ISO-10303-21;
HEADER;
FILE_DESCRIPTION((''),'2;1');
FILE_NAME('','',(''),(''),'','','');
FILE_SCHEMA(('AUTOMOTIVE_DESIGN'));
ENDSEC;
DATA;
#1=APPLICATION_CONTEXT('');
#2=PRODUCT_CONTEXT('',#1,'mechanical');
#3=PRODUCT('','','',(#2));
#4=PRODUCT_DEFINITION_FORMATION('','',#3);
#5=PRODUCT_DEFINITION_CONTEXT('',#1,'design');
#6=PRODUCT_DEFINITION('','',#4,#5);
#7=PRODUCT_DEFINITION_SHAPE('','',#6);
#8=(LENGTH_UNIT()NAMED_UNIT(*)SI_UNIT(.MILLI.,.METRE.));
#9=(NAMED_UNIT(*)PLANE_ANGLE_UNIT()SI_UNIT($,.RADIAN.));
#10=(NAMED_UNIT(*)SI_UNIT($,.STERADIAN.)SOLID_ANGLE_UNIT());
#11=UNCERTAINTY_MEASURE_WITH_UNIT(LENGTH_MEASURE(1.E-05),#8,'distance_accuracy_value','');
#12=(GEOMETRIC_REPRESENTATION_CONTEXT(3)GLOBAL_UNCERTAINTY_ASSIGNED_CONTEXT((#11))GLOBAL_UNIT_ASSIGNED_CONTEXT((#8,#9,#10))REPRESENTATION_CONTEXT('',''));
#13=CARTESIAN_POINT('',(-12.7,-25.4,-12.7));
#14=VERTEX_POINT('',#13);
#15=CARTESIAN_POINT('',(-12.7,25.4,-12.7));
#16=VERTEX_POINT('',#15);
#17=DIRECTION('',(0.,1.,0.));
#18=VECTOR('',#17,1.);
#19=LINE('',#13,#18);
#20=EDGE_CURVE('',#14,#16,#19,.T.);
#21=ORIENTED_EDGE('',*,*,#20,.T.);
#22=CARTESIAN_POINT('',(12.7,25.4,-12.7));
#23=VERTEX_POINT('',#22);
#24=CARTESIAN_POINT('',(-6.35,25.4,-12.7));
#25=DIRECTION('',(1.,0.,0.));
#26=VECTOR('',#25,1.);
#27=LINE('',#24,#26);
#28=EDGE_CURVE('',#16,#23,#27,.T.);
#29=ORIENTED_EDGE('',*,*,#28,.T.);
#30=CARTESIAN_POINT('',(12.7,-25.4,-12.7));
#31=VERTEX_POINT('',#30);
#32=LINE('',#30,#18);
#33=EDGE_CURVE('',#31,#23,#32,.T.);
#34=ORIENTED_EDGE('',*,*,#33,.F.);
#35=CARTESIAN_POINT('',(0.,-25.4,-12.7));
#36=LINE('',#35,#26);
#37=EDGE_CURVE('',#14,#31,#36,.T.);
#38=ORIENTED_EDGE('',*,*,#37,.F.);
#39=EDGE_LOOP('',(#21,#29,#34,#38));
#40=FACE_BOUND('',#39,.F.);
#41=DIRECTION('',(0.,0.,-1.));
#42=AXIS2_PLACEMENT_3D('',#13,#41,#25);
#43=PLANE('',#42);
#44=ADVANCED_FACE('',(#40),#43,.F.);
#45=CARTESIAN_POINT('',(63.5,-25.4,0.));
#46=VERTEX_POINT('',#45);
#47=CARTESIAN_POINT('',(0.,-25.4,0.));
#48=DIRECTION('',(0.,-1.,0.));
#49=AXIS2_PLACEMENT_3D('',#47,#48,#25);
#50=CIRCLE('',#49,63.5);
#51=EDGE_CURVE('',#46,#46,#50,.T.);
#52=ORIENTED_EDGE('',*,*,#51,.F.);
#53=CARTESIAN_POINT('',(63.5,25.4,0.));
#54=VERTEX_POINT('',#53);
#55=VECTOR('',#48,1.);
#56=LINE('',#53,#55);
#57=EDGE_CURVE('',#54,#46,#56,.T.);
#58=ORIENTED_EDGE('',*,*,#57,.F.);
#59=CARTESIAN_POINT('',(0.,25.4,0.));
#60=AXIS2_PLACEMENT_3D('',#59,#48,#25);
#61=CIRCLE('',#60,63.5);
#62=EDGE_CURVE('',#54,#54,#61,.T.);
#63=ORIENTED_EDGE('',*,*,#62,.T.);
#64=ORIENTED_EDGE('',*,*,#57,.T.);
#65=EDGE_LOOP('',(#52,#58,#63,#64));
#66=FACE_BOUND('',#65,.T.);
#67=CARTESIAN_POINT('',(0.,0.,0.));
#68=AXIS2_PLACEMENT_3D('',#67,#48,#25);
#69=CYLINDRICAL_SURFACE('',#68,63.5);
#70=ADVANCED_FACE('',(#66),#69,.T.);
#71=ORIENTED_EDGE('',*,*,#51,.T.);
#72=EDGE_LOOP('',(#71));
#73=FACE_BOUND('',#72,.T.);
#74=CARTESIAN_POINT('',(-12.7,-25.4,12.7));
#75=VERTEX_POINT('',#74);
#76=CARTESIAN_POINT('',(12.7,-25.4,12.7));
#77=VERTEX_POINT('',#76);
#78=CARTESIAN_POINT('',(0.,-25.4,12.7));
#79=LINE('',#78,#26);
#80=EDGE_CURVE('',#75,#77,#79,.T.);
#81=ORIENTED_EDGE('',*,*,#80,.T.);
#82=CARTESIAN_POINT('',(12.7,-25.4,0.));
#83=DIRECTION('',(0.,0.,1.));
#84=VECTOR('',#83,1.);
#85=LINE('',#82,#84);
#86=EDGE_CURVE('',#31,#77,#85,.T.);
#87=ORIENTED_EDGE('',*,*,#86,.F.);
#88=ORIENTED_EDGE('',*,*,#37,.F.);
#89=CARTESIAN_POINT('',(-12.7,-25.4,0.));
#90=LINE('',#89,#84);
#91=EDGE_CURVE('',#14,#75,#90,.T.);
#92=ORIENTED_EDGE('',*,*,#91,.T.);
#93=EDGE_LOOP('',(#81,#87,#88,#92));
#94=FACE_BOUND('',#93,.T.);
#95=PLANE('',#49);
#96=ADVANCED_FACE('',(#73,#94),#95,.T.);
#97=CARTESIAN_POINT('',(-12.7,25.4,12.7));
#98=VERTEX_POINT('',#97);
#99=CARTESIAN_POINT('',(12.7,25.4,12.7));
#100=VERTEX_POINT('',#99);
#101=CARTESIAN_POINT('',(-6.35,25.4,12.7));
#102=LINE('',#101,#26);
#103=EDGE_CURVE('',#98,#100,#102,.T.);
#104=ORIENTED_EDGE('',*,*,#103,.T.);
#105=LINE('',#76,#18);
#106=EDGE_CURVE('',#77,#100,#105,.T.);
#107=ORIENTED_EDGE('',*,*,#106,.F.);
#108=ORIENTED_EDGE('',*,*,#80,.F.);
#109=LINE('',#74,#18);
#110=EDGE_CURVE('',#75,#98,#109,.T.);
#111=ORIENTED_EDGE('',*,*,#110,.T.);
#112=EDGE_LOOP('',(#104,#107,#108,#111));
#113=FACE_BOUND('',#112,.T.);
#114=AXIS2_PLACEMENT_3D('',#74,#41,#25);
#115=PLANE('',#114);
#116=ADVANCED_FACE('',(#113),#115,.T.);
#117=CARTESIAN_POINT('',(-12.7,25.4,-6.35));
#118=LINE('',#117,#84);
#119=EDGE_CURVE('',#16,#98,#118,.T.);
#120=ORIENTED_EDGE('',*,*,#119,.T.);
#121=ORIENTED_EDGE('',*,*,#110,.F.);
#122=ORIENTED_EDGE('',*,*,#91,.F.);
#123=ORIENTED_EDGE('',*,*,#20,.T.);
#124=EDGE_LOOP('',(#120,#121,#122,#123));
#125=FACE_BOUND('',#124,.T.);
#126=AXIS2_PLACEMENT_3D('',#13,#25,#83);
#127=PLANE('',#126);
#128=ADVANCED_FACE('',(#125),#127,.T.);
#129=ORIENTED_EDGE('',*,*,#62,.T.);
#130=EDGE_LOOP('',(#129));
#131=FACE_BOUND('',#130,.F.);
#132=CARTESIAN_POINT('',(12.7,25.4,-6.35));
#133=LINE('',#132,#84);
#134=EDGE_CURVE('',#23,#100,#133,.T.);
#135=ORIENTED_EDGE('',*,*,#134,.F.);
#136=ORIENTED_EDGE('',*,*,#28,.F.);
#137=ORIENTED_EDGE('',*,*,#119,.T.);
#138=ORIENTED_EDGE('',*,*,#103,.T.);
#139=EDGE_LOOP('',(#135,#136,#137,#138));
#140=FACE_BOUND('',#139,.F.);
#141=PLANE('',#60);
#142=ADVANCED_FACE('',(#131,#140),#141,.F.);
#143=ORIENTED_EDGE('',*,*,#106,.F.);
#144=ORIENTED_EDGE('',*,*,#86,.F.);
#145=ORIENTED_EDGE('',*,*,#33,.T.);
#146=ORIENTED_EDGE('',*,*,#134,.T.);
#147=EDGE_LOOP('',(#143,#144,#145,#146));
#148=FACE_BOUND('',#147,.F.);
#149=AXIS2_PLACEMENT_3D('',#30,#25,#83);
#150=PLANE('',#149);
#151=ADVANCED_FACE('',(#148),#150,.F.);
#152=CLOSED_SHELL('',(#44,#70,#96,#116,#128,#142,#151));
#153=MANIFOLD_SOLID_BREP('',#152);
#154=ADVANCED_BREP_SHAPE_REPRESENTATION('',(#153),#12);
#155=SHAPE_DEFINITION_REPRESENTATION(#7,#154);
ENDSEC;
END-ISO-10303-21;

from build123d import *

# Parameters (mm, degrees)
F0_R     = 63.5
F1_DEPTH = 25.4
F2_W     = 25.4
F2_H     = 25.4
F3_DEPTH = 50.801


with BuildPart() as f1:
    # F0 (on Front) → F1 (new body, symmetric)
    with BuildSketch(Plane.XZ):
        Circle(F0_R)
    extrude(amount=F1_DEPTH, both=True)

    # F2 (on face) → F3 (cut, through all)
    with BuildSketch(Plane.XZ.offset(25.4)):
        Rectangle(F2_W, F2_H)
    extrude(amount=-F3_DEPTH, mode=Mode.SUBTRACT)


solid = f1.part
